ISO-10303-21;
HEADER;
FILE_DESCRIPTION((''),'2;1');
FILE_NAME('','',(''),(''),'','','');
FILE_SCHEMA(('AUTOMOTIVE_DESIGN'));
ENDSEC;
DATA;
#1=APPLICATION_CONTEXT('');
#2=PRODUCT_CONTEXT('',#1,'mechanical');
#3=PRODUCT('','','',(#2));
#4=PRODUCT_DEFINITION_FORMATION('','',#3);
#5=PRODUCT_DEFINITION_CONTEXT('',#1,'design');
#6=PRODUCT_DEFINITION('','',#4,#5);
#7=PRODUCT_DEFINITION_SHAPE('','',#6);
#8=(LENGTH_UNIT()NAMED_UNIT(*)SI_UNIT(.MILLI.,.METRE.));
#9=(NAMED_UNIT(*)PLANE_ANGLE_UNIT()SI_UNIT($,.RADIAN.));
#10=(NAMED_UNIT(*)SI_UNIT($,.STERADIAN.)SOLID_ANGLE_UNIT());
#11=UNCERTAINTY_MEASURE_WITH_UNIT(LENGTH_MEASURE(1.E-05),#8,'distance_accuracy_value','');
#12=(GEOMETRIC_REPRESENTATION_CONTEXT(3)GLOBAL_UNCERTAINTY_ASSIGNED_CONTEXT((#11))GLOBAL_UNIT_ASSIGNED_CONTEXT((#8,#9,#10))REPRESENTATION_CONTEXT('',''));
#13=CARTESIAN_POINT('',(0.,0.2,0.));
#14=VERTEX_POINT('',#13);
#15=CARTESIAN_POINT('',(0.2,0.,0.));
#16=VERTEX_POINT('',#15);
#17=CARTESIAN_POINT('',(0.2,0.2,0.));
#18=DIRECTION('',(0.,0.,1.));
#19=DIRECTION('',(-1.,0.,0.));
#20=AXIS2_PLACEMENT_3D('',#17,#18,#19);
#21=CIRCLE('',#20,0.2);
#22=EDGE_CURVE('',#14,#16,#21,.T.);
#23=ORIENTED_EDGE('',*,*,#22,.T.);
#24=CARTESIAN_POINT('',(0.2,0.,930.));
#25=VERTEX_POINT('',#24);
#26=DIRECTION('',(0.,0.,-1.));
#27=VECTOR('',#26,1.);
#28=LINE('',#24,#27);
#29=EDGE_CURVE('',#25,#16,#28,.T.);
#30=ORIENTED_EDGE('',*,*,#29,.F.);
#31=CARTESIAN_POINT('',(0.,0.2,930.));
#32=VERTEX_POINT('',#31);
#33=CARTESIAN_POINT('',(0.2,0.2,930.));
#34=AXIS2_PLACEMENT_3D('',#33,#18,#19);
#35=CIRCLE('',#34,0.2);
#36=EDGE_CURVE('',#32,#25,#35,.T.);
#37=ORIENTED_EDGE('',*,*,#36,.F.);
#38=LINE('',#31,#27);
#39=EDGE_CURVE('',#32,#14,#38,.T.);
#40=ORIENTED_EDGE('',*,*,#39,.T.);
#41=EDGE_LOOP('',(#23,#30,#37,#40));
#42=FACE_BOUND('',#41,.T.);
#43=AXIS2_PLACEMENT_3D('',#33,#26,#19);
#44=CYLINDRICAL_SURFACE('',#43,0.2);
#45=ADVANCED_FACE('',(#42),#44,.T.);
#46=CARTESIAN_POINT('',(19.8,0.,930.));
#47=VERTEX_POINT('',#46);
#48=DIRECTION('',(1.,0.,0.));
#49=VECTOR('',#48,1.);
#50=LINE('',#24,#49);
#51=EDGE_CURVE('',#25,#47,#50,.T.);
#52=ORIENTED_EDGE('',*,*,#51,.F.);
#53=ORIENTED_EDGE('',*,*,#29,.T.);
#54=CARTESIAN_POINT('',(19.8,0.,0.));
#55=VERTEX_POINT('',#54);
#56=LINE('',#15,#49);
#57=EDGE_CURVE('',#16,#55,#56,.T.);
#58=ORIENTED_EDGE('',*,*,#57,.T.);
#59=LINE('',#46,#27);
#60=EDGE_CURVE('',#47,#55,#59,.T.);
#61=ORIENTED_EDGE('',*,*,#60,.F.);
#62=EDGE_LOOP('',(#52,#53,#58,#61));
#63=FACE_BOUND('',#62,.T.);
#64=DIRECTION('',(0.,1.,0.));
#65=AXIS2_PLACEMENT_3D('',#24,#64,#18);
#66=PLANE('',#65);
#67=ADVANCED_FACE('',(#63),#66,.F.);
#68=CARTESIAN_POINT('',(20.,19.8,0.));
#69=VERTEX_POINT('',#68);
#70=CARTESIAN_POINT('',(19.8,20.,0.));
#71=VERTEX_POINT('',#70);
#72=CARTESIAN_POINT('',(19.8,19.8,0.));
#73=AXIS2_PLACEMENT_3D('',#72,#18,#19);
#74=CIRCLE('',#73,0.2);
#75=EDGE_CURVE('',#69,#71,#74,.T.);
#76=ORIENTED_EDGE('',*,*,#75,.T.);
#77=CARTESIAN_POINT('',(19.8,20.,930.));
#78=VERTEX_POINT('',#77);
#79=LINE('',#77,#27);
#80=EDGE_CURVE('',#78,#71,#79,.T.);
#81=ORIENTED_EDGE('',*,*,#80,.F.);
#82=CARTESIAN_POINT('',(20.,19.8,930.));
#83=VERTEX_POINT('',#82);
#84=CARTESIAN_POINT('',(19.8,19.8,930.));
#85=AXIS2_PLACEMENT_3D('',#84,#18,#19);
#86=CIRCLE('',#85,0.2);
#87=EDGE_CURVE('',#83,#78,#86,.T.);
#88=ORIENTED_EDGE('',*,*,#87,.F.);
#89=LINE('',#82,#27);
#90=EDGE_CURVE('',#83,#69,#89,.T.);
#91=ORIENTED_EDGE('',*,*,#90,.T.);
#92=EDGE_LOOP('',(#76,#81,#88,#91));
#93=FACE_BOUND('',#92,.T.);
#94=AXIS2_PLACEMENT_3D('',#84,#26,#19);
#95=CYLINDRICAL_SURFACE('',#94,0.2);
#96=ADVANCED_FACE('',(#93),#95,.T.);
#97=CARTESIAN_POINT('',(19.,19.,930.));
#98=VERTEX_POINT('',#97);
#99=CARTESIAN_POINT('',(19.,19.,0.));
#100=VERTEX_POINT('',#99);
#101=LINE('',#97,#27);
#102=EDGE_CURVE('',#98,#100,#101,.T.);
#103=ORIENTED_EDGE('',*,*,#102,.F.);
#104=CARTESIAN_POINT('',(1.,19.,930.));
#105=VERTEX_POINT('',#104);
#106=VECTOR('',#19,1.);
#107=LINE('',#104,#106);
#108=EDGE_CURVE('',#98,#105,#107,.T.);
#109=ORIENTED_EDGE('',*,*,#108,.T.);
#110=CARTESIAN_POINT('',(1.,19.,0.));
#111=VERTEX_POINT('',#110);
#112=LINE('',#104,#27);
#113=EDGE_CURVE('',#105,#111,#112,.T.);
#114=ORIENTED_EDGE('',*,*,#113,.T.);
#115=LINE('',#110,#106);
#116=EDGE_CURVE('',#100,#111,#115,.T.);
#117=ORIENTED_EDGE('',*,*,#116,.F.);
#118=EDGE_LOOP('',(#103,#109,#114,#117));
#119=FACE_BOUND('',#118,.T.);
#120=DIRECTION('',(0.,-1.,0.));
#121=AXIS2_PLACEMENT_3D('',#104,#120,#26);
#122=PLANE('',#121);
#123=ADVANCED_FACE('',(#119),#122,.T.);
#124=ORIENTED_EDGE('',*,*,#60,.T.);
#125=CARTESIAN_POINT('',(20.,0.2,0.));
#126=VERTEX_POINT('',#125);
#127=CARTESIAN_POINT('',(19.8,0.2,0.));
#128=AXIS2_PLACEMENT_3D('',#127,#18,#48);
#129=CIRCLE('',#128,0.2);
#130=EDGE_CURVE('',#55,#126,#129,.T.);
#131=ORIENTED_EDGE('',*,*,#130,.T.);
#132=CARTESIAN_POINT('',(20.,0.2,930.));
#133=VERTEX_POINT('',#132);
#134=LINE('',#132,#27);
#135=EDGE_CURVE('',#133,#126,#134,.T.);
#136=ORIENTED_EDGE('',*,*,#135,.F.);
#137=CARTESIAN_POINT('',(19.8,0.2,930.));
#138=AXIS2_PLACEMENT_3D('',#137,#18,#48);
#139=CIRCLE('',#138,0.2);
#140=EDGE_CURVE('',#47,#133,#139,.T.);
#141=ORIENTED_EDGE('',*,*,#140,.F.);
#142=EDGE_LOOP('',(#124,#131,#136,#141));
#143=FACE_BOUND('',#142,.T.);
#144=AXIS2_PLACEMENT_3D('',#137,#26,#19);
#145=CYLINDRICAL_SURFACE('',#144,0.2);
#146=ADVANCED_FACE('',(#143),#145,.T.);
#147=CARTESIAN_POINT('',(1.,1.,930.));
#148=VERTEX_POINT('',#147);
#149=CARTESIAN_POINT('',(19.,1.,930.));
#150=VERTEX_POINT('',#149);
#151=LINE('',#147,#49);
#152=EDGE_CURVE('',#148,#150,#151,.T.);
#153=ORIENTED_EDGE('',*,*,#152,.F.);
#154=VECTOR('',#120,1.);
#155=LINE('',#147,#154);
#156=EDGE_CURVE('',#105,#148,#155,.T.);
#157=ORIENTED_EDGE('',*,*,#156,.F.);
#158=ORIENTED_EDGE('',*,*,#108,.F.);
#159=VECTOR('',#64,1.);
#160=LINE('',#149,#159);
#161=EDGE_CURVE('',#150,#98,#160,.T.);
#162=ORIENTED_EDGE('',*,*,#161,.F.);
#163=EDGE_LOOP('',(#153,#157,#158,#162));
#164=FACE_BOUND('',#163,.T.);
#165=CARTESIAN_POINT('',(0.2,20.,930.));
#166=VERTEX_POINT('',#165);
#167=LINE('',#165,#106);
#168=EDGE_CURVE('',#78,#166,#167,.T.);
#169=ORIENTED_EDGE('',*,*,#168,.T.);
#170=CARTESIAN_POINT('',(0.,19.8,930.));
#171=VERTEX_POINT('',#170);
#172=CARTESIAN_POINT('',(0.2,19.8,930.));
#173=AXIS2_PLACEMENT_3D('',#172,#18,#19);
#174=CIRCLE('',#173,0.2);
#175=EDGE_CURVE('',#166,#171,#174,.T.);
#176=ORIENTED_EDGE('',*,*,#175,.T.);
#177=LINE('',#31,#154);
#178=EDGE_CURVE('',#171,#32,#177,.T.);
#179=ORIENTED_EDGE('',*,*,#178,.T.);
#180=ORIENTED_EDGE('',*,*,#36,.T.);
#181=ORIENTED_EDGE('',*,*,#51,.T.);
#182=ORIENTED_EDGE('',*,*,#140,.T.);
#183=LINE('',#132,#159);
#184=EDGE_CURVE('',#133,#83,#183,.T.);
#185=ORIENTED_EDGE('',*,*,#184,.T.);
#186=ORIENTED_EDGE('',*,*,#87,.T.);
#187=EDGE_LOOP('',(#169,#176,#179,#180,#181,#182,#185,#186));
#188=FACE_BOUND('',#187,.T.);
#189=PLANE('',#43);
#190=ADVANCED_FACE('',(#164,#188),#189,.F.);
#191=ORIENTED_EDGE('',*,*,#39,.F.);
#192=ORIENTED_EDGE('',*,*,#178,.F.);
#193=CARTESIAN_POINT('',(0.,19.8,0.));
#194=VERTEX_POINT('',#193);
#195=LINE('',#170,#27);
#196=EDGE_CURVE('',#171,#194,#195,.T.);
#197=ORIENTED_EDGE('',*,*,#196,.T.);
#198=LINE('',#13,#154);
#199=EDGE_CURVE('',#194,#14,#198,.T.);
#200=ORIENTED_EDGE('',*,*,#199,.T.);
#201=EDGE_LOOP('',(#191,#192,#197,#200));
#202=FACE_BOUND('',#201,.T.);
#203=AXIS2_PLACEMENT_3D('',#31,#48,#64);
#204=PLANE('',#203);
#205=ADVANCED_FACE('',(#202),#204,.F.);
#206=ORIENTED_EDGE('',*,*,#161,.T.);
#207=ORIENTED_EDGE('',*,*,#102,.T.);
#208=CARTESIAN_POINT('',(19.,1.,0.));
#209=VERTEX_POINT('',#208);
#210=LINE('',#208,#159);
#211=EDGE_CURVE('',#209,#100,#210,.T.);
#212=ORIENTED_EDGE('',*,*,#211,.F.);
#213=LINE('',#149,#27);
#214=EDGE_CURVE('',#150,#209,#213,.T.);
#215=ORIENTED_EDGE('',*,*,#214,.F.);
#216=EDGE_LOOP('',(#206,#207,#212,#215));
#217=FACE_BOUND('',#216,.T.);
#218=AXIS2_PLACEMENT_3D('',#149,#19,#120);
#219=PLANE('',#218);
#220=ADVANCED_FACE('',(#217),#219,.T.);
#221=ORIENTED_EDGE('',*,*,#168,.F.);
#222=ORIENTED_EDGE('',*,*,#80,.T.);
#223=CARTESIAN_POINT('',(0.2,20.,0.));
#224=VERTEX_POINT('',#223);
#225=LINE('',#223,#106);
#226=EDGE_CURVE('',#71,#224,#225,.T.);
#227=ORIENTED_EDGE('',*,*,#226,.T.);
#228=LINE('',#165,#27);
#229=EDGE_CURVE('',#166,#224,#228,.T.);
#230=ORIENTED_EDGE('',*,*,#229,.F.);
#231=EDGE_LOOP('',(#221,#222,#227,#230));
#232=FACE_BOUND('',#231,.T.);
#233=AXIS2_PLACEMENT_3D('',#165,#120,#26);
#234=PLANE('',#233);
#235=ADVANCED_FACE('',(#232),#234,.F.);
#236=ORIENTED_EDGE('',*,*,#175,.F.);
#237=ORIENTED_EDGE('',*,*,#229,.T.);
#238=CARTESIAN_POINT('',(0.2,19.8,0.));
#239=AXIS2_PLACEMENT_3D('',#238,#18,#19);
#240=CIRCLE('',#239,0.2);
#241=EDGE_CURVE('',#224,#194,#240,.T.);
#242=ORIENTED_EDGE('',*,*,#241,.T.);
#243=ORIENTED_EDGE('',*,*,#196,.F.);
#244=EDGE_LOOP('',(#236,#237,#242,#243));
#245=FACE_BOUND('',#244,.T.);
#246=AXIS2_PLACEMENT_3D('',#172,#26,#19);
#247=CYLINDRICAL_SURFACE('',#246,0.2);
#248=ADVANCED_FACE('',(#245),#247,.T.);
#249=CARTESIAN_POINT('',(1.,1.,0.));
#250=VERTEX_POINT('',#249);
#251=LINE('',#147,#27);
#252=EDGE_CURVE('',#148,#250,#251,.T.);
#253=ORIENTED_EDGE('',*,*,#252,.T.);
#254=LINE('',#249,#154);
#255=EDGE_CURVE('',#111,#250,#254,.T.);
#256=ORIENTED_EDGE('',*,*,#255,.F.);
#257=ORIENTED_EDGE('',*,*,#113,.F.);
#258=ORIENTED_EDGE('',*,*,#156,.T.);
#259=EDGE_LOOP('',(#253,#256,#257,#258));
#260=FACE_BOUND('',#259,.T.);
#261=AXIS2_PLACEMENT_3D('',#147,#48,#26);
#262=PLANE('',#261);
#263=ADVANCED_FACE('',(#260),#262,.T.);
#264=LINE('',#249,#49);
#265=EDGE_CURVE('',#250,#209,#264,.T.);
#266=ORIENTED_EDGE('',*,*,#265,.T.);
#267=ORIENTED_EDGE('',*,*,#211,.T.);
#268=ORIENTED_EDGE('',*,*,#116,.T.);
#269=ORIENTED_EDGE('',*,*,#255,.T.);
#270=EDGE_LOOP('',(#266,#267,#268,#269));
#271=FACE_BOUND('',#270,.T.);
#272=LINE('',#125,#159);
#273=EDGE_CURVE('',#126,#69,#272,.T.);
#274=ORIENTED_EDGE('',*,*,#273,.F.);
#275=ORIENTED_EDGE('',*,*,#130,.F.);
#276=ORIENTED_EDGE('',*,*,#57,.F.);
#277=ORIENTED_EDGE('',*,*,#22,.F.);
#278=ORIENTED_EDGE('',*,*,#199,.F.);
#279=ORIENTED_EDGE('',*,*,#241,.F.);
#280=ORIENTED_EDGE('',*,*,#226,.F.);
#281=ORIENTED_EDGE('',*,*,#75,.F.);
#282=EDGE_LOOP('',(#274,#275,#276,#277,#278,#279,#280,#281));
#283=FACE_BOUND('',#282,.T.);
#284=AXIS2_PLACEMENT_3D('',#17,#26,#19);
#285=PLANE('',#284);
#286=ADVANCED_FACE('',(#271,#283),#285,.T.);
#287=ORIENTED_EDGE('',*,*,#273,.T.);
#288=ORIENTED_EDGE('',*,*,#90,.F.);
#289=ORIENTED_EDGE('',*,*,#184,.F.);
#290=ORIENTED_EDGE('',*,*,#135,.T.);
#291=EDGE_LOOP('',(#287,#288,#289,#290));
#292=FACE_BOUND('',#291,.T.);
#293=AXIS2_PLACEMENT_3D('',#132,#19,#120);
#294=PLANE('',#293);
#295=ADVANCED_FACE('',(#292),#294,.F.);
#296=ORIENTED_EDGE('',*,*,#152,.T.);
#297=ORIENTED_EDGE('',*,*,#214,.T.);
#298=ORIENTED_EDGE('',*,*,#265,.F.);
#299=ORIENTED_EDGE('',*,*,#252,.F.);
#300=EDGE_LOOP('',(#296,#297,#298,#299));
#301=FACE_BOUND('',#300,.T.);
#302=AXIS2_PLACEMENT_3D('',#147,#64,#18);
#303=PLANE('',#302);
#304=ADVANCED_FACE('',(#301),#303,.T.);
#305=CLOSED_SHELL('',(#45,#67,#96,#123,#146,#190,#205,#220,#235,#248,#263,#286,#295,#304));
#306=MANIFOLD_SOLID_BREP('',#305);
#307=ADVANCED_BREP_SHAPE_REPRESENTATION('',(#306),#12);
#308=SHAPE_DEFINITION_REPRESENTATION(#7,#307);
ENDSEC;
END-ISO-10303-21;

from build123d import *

# Parameters (mm, degrees)
SKETCH1_W           = 18
SKETCH1_H           = 18
BOSS_EXTRUDE1_DEPTH = 930


with BuildPart() as part:
    # Sketch1 → Boss-Extrude1 (new body)
    with BuildSketch(Plane.XY):
        with BuildLine():
            Line((0.2, 0), (19.8, 0))
            ThreePointArc((19.8, 0), (19.941421356, 0.058578644), (20, 0.2))
            Line((20, 0.2), (20, 19.8))
            ThreePointArc((20, 19.8), (19.941421356, 19.941421356), (19.8, 20))
            Line((19.8, 20), (0.2, 20))
            ThreePointArc((0.2, 20), (0.058578644, 19.941421356), (0, 19.8))
            Line((0, 19.8), (0, 0.2))
            ThreePointArc((0, 0.2), (0.058578644, 0.058578644), (0.2, 0))
        make_face()
        with Locations((10, 10)):
            Rectangle(SKETCH1_W, SKETCH1_H, mode=Mode.SUBTRACT)
    extrude(amount=BOSS_EXTRUDE1_DEPTH)


solid = part.part
